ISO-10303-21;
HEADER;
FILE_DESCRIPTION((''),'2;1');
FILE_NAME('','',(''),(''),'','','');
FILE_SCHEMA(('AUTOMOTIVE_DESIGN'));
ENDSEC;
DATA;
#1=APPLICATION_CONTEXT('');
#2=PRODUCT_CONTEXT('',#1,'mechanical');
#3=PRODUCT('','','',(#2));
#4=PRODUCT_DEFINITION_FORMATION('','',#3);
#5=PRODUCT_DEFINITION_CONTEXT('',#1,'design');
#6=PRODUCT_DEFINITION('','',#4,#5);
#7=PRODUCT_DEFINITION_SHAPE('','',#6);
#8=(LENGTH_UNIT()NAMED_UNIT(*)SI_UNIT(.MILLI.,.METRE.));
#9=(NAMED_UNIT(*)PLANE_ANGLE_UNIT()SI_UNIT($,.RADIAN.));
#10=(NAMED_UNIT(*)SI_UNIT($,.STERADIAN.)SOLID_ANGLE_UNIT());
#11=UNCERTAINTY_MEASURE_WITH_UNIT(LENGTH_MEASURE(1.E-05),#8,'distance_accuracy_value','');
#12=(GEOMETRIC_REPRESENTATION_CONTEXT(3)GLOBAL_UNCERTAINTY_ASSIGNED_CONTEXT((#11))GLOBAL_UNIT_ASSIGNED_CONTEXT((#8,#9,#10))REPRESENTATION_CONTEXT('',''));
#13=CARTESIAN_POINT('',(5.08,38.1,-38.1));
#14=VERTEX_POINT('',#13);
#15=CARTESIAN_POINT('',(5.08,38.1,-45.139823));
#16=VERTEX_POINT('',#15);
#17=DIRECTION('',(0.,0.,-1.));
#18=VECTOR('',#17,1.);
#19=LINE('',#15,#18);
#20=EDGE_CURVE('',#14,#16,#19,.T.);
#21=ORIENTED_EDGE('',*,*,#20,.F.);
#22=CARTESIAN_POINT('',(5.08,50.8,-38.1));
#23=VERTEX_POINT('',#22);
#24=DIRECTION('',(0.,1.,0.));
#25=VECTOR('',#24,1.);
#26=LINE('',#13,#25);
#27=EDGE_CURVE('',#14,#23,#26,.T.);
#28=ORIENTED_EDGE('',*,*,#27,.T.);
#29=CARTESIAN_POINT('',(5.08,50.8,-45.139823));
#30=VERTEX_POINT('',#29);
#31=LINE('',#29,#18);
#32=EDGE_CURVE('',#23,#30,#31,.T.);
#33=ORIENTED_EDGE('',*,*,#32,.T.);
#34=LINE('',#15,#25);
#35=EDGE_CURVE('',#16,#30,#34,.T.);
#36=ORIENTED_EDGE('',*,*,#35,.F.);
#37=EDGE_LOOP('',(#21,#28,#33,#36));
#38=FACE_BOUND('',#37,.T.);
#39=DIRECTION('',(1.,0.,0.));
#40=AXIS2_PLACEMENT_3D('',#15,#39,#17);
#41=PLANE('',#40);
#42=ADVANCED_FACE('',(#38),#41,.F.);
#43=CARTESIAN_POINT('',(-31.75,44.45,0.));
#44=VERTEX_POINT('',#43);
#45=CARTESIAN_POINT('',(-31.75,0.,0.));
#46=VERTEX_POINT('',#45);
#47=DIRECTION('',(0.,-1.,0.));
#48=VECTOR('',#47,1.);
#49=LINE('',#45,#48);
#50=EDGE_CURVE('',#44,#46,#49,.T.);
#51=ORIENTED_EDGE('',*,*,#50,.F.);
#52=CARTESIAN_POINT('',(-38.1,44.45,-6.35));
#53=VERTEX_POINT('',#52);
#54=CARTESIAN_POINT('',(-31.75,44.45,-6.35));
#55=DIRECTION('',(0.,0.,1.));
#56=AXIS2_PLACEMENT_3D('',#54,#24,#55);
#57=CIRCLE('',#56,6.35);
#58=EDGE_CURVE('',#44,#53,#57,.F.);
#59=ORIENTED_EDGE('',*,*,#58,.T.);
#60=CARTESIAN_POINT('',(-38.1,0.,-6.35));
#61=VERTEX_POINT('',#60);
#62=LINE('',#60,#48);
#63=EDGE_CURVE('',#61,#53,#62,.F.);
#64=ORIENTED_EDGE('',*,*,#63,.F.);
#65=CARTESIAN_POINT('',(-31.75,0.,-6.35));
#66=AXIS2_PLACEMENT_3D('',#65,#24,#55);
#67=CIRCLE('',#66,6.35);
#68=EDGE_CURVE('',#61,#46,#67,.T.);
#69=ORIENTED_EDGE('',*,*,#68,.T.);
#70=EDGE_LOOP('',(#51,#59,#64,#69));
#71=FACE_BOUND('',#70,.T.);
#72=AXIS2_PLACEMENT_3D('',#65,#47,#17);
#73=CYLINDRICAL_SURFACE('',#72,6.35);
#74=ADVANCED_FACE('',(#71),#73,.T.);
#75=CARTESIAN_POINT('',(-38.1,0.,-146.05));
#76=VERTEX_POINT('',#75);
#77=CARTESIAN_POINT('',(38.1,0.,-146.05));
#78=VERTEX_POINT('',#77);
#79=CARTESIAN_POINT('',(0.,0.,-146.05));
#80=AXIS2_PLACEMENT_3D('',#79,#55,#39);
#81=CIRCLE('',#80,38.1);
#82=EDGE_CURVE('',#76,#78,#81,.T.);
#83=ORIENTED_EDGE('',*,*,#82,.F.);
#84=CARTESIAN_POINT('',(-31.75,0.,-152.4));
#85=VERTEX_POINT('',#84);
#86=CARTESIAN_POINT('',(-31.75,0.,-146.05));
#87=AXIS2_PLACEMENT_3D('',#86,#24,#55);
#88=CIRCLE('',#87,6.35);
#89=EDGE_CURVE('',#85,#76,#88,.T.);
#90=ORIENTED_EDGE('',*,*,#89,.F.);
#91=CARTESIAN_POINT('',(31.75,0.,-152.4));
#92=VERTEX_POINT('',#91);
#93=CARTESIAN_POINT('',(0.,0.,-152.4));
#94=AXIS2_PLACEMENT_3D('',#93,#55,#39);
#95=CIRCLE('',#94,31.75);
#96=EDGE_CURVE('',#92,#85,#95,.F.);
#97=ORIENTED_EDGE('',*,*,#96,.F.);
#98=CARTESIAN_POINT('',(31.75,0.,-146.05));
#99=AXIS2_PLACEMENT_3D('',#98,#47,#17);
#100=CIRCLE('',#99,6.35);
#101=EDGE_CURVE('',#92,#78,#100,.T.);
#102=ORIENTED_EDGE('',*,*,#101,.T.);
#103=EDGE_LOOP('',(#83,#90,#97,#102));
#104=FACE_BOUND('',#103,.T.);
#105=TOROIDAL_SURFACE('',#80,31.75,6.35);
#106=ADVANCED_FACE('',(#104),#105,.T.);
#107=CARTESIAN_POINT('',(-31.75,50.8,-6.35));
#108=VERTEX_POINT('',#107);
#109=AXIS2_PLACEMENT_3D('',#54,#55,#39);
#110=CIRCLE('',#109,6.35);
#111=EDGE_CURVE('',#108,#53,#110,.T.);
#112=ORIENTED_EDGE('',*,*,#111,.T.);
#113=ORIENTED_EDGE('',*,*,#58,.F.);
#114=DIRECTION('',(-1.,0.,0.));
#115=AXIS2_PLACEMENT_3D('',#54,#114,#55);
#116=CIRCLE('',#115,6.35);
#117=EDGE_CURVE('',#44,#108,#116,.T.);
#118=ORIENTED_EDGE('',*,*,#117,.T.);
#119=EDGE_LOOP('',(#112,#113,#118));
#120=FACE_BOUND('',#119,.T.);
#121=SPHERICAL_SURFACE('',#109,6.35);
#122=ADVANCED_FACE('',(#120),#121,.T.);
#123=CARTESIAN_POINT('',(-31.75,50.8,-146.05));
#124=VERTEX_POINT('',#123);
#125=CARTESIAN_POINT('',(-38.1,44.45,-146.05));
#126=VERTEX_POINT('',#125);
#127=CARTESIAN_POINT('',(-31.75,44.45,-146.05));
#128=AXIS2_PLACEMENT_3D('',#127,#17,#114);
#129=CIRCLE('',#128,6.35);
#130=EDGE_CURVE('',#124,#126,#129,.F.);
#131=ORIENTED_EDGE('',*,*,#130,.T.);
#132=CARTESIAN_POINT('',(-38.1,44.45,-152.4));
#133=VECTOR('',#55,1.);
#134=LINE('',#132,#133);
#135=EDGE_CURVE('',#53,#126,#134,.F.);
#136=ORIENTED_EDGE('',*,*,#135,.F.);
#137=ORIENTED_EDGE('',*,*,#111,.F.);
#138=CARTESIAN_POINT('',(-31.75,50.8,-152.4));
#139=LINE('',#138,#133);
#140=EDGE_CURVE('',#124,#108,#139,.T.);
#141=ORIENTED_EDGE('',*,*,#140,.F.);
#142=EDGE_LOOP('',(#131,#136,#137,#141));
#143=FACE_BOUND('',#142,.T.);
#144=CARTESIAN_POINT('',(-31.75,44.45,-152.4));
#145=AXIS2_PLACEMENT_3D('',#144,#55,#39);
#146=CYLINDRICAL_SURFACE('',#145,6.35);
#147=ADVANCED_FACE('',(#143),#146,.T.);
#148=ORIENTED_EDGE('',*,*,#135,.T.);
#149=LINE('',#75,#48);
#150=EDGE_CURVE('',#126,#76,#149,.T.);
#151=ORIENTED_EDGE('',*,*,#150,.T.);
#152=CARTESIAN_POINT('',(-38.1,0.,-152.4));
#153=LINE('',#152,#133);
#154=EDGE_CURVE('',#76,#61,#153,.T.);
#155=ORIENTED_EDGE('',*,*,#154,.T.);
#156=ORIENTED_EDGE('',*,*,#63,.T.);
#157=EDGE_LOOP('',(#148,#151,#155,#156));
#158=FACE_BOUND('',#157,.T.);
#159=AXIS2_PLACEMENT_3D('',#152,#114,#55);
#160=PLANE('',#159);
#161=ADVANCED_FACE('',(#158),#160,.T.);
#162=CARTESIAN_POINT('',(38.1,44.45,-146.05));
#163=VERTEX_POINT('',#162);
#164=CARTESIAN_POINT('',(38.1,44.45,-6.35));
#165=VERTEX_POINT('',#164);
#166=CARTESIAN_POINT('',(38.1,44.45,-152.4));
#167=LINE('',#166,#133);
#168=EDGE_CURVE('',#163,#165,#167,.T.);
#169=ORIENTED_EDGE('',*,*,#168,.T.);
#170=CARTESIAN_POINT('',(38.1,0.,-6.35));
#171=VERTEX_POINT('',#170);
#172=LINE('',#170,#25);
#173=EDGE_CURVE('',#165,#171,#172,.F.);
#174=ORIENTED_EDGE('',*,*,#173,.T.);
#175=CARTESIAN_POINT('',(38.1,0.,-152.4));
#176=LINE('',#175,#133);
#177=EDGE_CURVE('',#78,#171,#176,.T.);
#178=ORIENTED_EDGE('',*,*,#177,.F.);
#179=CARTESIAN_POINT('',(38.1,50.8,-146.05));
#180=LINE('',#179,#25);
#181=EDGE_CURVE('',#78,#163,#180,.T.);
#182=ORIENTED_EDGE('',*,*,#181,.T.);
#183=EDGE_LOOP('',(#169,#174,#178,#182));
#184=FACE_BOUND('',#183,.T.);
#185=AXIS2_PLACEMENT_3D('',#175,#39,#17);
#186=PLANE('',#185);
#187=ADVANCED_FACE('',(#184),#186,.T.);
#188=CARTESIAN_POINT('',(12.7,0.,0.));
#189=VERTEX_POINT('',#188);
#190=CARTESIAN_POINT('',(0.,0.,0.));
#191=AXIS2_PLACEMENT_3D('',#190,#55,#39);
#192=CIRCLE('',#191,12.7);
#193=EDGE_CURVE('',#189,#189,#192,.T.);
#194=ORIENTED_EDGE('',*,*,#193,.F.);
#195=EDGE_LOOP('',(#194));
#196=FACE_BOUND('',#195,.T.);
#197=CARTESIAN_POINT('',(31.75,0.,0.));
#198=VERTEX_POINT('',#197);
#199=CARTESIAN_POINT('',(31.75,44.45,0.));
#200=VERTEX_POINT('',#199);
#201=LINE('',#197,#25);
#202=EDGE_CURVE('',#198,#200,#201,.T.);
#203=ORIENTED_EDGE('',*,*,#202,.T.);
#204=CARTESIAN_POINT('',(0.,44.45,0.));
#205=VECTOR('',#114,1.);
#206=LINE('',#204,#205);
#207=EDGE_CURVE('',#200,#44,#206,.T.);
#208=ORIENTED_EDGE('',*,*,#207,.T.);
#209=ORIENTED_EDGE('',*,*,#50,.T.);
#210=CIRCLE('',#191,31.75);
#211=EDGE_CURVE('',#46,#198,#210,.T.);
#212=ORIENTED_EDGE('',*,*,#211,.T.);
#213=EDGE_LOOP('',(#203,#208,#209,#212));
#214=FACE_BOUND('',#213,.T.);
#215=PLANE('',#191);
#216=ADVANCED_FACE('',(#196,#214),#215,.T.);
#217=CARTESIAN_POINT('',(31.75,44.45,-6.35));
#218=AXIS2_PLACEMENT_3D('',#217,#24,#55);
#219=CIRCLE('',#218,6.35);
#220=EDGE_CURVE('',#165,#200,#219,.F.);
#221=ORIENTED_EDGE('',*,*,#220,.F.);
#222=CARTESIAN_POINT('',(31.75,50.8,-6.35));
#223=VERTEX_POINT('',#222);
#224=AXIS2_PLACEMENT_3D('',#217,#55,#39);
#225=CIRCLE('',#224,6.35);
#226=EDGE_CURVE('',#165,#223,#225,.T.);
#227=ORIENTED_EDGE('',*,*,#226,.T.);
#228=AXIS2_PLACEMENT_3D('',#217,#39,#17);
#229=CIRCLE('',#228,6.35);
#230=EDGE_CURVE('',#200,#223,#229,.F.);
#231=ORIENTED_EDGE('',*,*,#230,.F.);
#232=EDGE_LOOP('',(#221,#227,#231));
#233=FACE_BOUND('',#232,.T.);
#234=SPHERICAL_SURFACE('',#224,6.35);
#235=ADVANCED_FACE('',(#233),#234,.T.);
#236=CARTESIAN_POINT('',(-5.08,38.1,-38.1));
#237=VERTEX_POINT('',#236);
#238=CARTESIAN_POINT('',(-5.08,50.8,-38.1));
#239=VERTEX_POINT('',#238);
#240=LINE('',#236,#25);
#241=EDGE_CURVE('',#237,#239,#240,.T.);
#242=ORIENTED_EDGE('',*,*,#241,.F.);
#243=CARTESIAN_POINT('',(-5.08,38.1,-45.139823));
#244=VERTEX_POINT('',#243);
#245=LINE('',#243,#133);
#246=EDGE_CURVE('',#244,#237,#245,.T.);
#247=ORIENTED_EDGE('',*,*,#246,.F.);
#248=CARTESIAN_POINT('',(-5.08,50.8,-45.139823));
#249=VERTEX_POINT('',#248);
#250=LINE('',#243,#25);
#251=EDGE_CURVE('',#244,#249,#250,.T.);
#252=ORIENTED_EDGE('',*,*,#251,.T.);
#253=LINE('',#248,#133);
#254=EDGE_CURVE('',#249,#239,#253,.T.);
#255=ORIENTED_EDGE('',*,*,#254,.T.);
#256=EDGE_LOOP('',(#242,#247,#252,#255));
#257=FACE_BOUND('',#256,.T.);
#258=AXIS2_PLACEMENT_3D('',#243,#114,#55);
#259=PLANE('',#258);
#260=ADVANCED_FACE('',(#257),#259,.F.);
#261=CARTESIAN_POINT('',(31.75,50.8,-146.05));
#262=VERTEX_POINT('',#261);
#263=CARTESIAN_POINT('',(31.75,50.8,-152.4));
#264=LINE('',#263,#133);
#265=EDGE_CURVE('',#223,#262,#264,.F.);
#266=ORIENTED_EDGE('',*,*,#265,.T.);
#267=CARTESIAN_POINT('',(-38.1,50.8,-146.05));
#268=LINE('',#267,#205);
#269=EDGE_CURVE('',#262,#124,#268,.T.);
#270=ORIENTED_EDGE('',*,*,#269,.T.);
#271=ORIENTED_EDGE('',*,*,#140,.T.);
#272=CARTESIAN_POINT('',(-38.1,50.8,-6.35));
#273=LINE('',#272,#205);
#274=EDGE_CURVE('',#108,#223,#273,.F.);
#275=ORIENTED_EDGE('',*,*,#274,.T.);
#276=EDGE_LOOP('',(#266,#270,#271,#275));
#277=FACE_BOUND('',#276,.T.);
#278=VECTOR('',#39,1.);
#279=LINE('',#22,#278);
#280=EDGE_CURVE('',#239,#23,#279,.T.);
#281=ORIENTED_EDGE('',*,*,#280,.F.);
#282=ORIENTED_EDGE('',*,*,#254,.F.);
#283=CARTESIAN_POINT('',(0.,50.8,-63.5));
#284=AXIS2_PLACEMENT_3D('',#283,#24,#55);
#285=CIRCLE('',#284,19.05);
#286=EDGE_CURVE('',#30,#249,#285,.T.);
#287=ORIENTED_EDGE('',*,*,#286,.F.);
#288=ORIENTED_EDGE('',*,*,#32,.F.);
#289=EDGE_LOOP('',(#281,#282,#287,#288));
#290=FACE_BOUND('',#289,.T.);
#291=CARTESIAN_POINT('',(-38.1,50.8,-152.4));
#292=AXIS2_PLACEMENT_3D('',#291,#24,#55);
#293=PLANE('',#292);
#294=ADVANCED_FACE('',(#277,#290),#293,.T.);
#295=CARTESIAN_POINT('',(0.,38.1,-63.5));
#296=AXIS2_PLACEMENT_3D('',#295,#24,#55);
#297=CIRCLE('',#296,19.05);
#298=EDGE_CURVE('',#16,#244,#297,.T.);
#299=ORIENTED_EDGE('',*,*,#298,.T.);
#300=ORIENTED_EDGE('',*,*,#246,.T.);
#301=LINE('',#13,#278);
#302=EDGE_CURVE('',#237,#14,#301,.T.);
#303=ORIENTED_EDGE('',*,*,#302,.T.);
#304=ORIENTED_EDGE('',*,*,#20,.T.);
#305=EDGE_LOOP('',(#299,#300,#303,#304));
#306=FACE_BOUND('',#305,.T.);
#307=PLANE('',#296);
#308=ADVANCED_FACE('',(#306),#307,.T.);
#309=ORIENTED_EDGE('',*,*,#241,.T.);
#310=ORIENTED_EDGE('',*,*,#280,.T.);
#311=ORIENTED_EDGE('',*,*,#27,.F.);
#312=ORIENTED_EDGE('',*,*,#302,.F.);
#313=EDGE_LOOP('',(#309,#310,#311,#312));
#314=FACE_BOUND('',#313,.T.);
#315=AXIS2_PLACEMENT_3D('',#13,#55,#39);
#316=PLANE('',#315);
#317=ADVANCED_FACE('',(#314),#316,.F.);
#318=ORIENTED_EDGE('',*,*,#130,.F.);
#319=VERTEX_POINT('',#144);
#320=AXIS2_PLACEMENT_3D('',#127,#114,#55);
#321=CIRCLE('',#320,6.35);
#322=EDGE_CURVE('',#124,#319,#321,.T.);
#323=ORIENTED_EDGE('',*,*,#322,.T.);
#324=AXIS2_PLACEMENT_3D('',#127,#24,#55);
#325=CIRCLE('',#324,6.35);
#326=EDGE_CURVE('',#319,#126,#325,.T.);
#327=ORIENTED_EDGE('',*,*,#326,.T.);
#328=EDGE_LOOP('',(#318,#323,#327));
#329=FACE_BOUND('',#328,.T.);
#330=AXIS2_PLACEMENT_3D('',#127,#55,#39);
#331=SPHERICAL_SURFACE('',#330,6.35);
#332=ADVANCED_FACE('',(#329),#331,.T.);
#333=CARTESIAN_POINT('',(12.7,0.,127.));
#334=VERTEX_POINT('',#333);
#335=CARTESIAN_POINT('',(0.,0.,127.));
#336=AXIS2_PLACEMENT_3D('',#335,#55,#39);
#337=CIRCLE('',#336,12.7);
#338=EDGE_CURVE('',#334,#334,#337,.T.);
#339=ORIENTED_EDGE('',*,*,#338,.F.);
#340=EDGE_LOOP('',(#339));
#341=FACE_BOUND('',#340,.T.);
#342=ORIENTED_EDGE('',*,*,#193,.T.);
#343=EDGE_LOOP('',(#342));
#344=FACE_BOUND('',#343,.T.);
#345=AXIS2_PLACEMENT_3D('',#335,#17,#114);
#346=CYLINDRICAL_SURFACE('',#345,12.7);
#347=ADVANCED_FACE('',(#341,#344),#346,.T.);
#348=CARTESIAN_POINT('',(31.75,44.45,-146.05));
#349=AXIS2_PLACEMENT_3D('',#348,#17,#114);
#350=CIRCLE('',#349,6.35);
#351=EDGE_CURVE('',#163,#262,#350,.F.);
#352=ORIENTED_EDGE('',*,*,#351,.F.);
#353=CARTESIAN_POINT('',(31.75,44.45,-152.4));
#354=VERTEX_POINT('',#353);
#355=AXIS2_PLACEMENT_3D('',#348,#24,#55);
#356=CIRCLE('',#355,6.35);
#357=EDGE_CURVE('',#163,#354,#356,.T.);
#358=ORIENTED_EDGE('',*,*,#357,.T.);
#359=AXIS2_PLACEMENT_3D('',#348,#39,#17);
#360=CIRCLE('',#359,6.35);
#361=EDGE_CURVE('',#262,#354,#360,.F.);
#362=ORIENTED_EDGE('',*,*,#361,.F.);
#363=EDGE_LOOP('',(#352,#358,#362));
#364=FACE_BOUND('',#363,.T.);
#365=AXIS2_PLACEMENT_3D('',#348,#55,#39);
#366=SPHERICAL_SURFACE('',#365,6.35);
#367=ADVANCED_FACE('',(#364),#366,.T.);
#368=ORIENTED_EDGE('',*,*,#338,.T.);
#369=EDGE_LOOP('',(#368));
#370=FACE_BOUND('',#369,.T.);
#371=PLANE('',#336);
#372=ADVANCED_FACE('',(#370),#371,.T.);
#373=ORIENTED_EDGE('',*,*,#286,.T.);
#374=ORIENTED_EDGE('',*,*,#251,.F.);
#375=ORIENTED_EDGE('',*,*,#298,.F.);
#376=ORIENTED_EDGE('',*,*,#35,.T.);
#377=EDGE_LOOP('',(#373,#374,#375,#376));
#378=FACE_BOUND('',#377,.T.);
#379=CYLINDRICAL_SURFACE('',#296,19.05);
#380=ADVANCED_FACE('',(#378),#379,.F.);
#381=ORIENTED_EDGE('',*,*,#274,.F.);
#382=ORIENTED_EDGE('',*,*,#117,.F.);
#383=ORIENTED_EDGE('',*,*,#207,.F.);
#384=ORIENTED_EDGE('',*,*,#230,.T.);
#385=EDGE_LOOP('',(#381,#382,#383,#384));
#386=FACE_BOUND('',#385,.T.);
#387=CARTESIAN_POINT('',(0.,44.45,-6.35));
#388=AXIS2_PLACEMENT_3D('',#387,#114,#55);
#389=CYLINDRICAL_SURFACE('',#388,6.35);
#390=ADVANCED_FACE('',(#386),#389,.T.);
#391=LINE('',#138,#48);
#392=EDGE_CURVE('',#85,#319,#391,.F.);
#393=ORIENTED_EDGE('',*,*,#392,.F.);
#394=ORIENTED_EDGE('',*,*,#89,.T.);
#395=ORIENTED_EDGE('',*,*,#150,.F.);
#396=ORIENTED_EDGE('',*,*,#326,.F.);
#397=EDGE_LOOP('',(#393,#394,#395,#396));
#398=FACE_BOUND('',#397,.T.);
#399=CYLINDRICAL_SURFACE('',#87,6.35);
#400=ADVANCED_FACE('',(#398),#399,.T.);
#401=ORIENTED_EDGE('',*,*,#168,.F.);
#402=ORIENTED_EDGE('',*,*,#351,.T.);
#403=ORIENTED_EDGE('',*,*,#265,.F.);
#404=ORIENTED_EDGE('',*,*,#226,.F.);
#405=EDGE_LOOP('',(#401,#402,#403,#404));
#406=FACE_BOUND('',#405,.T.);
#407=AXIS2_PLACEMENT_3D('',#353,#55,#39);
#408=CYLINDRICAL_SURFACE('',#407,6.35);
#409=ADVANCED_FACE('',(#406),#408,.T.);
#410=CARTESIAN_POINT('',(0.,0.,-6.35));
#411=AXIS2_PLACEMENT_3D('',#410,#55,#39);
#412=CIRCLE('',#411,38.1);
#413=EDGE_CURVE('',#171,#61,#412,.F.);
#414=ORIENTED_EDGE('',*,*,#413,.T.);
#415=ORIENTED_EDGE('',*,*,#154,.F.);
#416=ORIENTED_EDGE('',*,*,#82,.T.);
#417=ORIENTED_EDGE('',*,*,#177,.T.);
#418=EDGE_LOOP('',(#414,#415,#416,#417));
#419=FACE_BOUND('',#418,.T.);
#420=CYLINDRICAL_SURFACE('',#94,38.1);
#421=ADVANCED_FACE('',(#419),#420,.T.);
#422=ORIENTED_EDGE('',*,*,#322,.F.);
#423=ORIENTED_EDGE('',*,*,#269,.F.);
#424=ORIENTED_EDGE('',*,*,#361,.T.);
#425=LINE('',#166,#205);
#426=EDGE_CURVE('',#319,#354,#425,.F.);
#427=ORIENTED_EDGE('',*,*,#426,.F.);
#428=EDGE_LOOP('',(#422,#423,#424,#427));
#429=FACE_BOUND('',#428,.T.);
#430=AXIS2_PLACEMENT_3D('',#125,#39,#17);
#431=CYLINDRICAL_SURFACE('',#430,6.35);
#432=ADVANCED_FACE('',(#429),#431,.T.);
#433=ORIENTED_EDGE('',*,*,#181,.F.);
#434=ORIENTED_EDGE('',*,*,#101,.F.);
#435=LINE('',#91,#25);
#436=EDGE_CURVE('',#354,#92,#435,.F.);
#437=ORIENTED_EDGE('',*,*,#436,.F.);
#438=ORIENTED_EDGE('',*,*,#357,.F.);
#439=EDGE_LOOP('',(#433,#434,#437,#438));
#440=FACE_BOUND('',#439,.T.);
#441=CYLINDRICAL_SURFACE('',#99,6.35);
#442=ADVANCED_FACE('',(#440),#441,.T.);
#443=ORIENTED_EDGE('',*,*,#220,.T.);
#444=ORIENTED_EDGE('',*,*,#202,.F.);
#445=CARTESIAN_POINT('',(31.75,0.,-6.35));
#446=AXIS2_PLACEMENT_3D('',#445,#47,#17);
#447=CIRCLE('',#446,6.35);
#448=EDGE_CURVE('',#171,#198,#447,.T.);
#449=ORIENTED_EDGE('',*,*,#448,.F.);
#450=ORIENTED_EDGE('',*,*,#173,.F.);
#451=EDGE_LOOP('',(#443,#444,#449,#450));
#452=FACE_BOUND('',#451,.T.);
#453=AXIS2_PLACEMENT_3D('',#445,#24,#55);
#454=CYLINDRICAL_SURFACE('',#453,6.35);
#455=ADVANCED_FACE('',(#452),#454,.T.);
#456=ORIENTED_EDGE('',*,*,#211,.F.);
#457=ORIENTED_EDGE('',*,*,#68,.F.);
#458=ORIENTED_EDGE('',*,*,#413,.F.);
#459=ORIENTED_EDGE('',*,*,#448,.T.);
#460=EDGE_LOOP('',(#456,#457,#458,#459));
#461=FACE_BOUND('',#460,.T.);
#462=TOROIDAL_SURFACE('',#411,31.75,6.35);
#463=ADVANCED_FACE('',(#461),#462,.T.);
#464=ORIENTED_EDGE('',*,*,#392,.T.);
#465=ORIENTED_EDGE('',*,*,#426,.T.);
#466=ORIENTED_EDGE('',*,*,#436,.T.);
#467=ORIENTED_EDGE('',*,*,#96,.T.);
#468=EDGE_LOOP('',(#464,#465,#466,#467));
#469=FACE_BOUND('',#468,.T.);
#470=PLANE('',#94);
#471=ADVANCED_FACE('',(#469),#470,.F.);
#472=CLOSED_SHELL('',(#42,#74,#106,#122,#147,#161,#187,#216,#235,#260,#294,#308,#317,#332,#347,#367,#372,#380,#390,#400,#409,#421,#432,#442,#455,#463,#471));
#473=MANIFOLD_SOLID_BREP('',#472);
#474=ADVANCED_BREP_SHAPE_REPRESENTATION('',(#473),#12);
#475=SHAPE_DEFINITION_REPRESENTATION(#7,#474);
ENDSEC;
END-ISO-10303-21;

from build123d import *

# Parameters (mm, degrees)
BOSS_EXTRUDE1_DEPTH = 152.4
SKETCH2_R           = 12.7
BOSS_EXTRUDE2_DEPTH = 127
CUT_EXTRUDE1_DEPTH  = 12.7
FILLET1_R           = 6.35


with BuildPart() as part:
    # Sketch1 → Boss-Extrude1 (new body)
    with BuildSketch(Plane.XY):
        with BuildLine():
            Line((-38.1, 0), (-38.1, 50.8))
            Line((-38.1, 50.8), (38.1, 50.8))
            Line((38.1, 50.8), (38.1, 0))
            ThreePointArc((38.1, 0), (0, -38.1), (-38.1, 0))
        make_face()
    extrude(amount=-BOSS_EXTRUDE1_DEPTH)

    # Sketch2 → Boss-Extrude2 (add)
    with BuildSketch(Plane.XY):
        Circle(SKETCH2_R)
    extrude(amount=BOSS_EXTRUDE2_DEPTH)

    # Sketch3 → Cut-Extrude1 (cut)
    with BuildSketch(Plane(origin=(0, 50.8, 0), x_dir=(1, 0, 0), z_dir=(0, 1, 0))):
        with BuildLine():
            Line((5.08, 45.139822986), (5.08, 38.1))
            Line((5.08, 38.1), (-5.08, 38.1))
            Line((-5.08, 38.1), (-5.08, 45.139822986))
            ThreePointArc((-5.08, 45.139822986), (0, 82.55), (5.08, 45.139822986))
        make_face()
    extrude(amount=-CUT_EXTRUDE1_DEPTH, mode=Mode.SUBTRACT)

    # Fillet1
    fillet1_edges = [part.edges().sort_by_distance(p)[0] for p in [
        (0, 50.8, -152.4),
        (-38.1, 25.4, -152.4),
        (0, -38.1, -152.4),
        (-38.1, 25.4, 0),
        (0, 50.8, 0),
        (38.1, 25.4, 0),
        (0, -38.1, 0),
        (38.1, 25.4, -152.4),
        (-38.1, 50.8, -76.2),
        (38.1, 50.8, -76.2),
    ]]
    fillet(fillet1_edges, radius=FILLET1_R)


solid = part.part
